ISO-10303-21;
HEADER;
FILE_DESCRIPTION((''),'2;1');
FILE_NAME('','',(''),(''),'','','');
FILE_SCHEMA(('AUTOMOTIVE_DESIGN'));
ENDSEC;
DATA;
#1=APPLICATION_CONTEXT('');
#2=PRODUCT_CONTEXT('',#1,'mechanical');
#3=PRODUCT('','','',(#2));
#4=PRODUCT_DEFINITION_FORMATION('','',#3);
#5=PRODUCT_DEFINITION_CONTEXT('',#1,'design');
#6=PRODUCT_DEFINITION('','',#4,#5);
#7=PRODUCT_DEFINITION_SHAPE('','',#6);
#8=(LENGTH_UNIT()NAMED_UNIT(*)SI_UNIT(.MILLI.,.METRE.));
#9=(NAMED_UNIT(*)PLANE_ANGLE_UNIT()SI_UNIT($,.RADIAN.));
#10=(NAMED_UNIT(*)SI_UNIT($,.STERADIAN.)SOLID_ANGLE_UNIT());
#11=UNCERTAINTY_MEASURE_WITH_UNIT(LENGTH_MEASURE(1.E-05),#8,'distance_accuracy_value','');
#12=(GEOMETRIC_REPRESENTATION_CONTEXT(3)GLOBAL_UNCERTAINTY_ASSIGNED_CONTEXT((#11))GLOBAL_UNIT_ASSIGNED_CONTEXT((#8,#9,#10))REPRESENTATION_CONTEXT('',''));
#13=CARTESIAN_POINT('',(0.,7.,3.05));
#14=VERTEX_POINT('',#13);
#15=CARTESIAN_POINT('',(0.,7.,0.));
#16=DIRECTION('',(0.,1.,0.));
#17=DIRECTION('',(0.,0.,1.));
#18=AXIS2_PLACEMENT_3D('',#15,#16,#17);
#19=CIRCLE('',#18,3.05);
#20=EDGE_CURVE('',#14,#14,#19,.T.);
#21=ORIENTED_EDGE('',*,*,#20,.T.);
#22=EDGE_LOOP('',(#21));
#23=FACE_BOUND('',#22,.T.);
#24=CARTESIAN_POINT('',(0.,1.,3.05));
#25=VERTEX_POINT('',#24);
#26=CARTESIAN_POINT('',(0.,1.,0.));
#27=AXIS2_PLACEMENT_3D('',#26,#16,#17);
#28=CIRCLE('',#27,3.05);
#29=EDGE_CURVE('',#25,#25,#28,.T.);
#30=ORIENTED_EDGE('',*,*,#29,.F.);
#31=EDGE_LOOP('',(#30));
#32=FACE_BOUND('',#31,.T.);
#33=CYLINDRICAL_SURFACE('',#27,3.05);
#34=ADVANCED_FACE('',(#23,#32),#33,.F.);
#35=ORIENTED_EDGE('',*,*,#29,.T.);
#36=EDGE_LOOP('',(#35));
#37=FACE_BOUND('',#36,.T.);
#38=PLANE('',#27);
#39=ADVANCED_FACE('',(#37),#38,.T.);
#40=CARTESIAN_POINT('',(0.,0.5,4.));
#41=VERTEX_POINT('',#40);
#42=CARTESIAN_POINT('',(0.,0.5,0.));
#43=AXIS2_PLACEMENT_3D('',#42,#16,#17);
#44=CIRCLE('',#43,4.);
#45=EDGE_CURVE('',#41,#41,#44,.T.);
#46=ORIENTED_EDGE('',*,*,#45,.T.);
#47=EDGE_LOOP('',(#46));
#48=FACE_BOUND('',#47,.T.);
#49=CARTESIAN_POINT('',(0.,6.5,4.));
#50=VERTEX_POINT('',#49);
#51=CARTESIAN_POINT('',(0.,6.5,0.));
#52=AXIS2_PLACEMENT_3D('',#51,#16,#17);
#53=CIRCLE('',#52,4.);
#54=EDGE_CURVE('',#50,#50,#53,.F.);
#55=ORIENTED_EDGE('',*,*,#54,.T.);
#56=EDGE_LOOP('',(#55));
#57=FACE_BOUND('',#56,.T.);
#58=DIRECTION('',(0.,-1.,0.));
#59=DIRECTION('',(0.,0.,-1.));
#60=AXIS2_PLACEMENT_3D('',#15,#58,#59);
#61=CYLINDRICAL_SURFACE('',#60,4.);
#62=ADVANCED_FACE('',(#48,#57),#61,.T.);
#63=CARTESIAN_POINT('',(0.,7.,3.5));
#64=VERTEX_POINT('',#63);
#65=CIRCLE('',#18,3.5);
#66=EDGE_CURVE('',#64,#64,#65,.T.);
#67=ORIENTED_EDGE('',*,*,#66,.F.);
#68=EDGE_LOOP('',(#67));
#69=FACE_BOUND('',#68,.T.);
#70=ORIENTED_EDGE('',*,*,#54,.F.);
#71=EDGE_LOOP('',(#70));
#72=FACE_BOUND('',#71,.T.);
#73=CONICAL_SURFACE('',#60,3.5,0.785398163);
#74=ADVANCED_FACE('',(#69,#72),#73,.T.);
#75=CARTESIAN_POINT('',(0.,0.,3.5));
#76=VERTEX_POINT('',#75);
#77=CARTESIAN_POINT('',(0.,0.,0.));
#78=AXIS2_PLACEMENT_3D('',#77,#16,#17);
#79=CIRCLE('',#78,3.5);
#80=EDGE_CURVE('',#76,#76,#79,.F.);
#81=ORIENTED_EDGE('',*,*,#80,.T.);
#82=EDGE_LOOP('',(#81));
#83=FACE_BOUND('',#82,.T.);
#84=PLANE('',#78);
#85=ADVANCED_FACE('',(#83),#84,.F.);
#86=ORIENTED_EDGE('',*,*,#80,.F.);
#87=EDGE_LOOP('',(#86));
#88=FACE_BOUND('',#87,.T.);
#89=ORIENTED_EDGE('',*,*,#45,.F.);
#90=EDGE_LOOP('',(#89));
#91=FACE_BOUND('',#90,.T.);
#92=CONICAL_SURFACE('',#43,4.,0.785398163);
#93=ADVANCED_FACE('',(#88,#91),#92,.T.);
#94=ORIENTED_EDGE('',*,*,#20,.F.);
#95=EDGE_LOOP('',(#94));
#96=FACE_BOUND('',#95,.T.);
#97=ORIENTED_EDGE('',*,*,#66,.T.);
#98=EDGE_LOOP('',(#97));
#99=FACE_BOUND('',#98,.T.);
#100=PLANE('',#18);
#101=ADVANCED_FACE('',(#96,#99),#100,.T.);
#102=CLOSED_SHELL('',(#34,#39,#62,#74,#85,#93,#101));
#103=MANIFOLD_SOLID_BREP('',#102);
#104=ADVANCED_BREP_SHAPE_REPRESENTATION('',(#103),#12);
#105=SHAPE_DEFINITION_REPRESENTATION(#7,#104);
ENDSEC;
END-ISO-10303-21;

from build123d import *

# Parameters (mm, degrees)
SKETCH1_R           = 4
BOSS_EXTRUDE1_DEPTH = 7
SKETCH2_R           = 3.05
CUT_EXTRUDE1_DEPTH  = 6
CHAMFER1_SIZE       = 0.5


with BuildPart() as part:
    # Sketch1 → Boss-Extrude1 (new body)
    with BuildSketch(Plane(origin=(0, 0, 0), x_dir=(1, 0, 0), z_dir=(0, 1, 0))):
        with Locations(Location((0, 0, 0), (0, 0, 270))):
            Circle(SKETCH1_R)
    extrude(amount=BOSS_EXTRUDE1_DEPTH)

    # Sketch2 → Cut-Extrude1 (cut)
    with BuildSketch(Plane(origin=(0, 7, 0), x_dir=(1, 0, 0), z_dir=(0, 1, 0))):
        with Locations(Location((0, 0, 0), (0, 0, 270))):
            Circle(SKETCH2_R)
    extrude(amount=-CUT_EXTRUDE1_DEPTH, mode=Mode.SUBTRACT)

    # Chamfer1
    chamfer1_edges = [part.edges().sort_by_distance(p)[0] for p in [
        (0, 0, -4),
        (0, 7, -4),
    ]]
    chamfer(chamfer1_edges, length=CHAMFER1_SIZE)


solid = part.part
